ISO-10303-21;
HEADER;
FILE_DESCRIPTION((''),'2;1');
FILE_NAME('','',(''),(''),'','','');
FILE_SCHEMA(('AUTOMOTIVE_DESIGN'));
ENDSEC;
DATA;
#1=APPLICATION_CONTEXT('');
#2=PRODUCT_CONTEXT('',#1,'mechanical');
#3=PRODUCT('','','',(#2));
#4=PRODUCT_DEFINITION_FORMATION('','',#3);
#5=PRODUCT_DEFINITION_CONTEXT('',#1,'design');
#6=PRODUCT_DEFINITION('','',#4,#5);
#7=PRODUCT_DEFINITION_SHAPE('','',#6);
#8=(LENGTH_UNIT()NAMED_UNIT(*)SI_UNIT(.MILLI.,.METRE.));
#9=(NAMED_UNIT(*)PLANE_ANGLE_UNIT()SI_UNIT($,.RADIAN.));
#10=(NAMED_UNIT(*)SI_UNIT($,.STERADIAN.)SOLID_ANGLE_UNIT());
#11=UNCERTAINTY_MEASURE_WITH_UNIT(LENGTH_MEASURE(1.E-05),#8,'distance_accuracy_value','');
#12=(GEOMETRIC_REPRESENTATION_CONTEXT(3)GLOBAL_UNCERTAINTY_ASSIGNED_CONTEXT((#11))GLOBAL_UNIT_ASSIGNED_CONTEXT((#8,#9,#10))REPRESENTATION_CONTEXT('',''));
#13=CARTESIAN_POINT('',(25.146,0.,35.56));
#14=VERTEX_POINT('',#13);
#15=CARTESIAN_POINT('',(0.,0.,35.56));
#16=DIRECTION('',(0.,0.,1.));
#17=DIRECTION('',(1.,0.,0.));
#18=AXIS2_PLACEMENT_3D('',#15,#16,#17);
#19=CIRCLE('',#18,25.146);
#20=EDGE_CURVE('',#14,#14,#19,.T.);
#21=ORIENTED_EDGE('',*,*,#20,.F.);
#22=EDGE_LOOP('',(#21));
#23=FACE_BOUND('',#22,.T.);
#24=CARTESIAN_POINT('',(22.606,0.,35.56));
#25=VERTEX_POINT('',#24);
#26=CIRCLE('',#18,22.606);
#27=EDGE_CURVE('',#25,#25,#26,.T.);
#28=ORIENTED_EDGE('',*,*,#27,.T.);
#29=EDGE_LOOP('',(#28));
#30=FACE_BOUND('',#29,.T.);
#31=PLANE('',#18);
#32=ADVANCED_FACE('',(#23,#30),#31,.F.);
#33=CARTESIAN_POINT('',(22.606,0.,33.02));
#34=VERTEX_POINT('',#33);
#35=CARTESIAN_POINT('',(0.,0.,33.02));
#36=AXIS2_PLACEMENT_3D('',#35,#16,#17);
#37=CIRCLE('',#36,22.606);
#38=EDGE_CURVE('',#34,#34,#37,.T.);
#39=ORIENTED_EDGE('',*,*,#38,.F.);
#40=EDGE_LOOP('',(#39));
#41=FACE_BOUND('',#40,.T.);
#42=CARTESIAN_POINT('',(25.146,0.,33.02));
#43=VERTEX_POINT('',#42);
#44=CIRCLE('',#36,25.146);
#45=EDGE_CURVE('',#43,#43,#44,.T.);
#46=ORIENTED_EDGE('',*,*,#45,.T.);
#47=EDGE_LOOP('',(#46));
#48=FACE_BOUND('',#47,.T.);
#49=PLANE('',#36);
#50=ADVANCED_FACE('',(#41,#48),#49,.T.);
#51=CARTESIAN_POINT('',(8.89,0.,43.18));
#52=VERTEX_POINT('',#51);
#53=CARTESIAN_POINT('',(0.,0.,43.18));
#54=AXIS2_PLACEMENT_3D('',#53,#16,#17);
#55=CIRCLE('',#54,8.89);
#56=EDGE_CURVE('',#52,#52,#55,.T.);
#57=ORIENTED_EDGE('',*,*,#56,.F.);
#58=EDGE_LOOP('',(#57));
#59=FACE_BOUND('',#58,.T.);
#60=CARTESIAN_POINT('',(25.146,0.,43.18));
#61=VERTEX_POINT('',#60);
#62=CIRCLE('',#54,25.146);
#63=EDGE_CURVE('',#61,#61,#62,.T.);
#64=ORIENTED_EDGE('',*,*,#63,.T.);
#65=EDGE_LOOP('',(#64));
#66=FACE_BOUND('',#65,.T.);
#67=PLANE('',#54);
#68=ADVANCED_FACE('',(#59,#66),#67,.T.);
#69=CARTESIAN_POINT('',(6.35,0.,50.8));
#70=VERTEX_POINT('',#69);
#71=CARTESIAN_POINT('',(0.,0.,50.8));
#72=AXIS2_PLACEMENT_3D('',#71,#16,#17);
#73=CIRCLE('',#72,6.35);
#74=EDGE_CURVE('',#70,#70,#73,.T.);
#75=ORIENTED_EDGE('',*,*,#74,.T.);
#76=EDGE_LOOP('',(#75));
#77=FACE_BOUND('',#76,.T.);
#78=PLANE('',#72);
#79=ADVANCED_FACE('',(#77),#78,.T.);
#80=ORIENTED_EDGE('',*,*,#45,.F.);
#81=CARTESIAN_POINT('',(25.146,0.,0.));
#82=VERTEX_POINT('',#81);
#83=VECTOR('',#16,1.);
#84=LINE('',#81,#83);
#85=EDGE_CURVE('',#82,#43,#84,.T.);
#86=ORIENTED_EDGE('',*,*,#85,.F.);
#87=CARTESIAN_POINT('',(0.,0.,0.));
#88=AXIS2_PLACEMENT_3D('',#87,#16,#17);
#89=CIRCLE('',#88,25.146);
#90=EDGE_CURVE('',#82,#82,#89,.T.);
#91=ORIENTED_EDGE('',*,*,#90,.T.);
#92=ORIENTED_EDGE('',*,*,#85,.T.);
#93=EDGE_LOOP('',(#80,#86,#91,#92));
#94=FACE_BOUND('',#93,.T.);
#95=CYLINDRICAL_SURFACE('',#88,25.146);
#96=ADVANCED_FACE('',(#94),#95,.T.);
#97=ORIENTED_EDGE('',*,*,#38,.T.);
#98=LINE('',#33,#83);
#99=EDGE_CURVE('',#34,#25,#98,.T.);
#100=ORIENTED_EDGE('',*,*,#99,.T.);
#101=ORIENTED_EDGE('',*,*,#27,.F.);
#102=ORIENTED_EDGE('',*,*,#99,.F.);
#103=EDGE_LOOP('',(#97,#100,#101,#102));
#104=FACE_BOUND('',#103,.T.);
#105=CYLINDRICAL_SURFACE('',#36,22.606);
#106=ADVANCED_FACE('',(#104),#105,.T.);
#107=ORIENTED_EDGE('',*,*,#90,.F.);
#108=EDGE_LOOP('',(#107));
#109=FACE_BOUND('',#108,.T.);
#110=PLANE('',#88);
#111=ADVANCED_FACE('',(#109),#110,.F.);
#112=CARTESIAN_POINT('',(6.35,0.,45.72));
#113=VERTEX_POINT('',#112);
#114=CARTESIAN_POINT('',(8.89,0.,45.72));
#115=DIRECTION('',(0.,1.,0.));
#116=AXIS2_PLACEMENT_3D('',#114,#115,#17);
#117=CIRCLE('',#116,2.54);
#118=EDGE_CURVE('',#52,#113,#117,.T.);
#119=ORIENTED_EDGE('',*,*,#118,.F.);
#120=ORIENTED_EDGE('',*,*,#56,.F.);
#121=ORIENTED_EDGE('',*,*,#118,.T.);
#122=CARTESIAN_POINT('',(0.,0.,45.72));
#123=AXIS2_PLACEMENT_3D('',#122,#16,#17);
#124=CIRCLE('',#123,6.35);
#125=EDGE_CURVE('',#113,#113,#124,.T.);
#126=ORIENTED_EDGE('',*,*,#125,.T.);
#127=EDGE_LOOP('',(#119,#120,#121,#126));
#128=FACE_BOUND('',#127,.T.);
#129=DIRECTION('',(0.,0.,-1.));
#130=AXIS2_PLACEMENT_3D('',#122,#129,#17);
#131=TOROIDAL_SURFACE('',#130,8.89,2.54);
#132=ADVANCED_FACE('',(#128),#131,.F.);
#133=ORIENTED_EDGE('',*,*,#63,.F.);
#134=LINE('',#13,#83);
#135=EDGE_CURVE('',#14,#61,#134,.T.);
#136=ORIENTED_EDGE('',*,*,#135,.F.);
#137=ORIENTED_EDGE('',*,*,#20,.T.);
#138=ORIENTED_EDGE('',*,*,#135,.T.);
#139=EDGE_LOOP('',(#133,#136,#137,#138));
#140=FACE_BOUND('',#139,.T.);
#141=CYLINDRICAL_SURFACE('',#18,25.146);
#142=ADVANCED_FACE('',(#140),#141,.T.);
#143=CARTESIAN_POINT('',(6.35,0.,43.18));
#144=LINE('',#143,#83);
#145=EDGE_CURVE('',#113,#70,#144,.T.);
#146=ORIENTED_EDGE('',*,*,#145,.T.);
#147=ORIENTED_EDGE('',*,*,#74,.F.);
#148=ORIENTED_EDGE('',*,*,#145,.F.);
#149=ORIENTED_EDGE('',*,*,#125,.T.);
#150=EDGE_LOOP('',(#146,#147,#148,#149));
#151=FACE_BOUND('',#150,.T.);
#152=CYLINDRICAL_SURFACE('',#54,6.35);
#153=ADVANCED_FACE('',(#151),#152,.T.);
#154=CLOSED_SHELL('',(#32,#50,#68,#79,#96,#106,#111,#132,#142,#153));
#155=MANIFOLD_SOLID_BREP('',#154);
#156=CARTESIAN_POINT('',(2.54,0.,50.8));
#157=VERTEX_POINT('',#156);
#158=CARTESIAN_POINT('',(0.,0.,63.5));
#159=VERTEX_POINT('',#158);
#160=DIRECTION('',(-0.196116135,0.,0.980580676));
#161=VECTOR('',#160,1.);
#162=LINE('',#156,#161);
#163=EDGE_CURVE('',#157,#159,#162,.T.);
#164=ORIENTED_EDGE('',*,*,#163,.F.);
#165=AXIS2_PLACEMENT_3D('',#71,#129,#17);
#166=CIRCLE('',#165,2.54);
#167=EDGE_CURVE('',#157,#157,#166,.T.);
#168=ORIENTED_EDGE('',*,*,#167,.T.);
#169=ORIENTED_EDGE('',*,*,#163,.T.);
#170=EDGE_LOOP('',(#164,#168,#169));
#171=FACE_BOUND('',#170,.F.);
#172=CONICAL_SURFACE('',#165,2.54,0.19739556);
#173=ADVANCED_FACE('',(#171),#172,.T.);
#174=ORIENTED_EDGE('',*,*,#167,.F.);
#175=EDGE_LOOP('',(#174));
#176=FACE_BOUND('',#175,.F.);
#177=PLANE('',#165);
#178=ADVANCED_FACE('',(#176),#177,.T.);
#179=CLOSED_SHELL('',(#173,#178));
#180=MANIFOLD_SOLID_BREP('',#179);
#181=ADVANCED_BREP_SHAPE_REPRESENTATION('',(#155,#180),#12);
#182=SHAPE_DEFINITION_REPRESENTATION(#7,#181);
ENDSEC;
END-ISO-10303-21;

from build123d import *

# Parameters (mm, degrees)
F3_R = 2.54


with BuildPart() as f2:
    # F0 (on Front) → F2 (revolve)
    with BuildSketch(Plane.XZ):
        Polygon((0, 43.18), (0, 0), (25.146, 0), (25.146, 33.02), (22.606, 33.02), (22.606, 35.56), (25.146, 35.56), (25.146, 43.18), (6.35, 43.18), (6.35, 50.8), (3.175, 50.8), (0, 50.8), align=None)
    revolve(axis=Axis((0, 0, 20.32), (0, 0, 1)))

    # F3
    f3_edges = [f2.edges().sort_by_distance(p)[0] for p in [
        (-6.35, 0, 43.18),
    ]]
    fillet(f3_edges, radius=F3_R)


with BuildPart() as f6:
    # F4 (on Front) → F6 (revolve)
    with BuildSketch(Plane.XZ):
        Polygon((0, 50.8), (2.54, 50.8), (0, 63.5), align=None)
    revolve(axis=Axis((0, 0, 57.15), (0, 0, -1)))


solid = Compound([f2.part, f6.part])
